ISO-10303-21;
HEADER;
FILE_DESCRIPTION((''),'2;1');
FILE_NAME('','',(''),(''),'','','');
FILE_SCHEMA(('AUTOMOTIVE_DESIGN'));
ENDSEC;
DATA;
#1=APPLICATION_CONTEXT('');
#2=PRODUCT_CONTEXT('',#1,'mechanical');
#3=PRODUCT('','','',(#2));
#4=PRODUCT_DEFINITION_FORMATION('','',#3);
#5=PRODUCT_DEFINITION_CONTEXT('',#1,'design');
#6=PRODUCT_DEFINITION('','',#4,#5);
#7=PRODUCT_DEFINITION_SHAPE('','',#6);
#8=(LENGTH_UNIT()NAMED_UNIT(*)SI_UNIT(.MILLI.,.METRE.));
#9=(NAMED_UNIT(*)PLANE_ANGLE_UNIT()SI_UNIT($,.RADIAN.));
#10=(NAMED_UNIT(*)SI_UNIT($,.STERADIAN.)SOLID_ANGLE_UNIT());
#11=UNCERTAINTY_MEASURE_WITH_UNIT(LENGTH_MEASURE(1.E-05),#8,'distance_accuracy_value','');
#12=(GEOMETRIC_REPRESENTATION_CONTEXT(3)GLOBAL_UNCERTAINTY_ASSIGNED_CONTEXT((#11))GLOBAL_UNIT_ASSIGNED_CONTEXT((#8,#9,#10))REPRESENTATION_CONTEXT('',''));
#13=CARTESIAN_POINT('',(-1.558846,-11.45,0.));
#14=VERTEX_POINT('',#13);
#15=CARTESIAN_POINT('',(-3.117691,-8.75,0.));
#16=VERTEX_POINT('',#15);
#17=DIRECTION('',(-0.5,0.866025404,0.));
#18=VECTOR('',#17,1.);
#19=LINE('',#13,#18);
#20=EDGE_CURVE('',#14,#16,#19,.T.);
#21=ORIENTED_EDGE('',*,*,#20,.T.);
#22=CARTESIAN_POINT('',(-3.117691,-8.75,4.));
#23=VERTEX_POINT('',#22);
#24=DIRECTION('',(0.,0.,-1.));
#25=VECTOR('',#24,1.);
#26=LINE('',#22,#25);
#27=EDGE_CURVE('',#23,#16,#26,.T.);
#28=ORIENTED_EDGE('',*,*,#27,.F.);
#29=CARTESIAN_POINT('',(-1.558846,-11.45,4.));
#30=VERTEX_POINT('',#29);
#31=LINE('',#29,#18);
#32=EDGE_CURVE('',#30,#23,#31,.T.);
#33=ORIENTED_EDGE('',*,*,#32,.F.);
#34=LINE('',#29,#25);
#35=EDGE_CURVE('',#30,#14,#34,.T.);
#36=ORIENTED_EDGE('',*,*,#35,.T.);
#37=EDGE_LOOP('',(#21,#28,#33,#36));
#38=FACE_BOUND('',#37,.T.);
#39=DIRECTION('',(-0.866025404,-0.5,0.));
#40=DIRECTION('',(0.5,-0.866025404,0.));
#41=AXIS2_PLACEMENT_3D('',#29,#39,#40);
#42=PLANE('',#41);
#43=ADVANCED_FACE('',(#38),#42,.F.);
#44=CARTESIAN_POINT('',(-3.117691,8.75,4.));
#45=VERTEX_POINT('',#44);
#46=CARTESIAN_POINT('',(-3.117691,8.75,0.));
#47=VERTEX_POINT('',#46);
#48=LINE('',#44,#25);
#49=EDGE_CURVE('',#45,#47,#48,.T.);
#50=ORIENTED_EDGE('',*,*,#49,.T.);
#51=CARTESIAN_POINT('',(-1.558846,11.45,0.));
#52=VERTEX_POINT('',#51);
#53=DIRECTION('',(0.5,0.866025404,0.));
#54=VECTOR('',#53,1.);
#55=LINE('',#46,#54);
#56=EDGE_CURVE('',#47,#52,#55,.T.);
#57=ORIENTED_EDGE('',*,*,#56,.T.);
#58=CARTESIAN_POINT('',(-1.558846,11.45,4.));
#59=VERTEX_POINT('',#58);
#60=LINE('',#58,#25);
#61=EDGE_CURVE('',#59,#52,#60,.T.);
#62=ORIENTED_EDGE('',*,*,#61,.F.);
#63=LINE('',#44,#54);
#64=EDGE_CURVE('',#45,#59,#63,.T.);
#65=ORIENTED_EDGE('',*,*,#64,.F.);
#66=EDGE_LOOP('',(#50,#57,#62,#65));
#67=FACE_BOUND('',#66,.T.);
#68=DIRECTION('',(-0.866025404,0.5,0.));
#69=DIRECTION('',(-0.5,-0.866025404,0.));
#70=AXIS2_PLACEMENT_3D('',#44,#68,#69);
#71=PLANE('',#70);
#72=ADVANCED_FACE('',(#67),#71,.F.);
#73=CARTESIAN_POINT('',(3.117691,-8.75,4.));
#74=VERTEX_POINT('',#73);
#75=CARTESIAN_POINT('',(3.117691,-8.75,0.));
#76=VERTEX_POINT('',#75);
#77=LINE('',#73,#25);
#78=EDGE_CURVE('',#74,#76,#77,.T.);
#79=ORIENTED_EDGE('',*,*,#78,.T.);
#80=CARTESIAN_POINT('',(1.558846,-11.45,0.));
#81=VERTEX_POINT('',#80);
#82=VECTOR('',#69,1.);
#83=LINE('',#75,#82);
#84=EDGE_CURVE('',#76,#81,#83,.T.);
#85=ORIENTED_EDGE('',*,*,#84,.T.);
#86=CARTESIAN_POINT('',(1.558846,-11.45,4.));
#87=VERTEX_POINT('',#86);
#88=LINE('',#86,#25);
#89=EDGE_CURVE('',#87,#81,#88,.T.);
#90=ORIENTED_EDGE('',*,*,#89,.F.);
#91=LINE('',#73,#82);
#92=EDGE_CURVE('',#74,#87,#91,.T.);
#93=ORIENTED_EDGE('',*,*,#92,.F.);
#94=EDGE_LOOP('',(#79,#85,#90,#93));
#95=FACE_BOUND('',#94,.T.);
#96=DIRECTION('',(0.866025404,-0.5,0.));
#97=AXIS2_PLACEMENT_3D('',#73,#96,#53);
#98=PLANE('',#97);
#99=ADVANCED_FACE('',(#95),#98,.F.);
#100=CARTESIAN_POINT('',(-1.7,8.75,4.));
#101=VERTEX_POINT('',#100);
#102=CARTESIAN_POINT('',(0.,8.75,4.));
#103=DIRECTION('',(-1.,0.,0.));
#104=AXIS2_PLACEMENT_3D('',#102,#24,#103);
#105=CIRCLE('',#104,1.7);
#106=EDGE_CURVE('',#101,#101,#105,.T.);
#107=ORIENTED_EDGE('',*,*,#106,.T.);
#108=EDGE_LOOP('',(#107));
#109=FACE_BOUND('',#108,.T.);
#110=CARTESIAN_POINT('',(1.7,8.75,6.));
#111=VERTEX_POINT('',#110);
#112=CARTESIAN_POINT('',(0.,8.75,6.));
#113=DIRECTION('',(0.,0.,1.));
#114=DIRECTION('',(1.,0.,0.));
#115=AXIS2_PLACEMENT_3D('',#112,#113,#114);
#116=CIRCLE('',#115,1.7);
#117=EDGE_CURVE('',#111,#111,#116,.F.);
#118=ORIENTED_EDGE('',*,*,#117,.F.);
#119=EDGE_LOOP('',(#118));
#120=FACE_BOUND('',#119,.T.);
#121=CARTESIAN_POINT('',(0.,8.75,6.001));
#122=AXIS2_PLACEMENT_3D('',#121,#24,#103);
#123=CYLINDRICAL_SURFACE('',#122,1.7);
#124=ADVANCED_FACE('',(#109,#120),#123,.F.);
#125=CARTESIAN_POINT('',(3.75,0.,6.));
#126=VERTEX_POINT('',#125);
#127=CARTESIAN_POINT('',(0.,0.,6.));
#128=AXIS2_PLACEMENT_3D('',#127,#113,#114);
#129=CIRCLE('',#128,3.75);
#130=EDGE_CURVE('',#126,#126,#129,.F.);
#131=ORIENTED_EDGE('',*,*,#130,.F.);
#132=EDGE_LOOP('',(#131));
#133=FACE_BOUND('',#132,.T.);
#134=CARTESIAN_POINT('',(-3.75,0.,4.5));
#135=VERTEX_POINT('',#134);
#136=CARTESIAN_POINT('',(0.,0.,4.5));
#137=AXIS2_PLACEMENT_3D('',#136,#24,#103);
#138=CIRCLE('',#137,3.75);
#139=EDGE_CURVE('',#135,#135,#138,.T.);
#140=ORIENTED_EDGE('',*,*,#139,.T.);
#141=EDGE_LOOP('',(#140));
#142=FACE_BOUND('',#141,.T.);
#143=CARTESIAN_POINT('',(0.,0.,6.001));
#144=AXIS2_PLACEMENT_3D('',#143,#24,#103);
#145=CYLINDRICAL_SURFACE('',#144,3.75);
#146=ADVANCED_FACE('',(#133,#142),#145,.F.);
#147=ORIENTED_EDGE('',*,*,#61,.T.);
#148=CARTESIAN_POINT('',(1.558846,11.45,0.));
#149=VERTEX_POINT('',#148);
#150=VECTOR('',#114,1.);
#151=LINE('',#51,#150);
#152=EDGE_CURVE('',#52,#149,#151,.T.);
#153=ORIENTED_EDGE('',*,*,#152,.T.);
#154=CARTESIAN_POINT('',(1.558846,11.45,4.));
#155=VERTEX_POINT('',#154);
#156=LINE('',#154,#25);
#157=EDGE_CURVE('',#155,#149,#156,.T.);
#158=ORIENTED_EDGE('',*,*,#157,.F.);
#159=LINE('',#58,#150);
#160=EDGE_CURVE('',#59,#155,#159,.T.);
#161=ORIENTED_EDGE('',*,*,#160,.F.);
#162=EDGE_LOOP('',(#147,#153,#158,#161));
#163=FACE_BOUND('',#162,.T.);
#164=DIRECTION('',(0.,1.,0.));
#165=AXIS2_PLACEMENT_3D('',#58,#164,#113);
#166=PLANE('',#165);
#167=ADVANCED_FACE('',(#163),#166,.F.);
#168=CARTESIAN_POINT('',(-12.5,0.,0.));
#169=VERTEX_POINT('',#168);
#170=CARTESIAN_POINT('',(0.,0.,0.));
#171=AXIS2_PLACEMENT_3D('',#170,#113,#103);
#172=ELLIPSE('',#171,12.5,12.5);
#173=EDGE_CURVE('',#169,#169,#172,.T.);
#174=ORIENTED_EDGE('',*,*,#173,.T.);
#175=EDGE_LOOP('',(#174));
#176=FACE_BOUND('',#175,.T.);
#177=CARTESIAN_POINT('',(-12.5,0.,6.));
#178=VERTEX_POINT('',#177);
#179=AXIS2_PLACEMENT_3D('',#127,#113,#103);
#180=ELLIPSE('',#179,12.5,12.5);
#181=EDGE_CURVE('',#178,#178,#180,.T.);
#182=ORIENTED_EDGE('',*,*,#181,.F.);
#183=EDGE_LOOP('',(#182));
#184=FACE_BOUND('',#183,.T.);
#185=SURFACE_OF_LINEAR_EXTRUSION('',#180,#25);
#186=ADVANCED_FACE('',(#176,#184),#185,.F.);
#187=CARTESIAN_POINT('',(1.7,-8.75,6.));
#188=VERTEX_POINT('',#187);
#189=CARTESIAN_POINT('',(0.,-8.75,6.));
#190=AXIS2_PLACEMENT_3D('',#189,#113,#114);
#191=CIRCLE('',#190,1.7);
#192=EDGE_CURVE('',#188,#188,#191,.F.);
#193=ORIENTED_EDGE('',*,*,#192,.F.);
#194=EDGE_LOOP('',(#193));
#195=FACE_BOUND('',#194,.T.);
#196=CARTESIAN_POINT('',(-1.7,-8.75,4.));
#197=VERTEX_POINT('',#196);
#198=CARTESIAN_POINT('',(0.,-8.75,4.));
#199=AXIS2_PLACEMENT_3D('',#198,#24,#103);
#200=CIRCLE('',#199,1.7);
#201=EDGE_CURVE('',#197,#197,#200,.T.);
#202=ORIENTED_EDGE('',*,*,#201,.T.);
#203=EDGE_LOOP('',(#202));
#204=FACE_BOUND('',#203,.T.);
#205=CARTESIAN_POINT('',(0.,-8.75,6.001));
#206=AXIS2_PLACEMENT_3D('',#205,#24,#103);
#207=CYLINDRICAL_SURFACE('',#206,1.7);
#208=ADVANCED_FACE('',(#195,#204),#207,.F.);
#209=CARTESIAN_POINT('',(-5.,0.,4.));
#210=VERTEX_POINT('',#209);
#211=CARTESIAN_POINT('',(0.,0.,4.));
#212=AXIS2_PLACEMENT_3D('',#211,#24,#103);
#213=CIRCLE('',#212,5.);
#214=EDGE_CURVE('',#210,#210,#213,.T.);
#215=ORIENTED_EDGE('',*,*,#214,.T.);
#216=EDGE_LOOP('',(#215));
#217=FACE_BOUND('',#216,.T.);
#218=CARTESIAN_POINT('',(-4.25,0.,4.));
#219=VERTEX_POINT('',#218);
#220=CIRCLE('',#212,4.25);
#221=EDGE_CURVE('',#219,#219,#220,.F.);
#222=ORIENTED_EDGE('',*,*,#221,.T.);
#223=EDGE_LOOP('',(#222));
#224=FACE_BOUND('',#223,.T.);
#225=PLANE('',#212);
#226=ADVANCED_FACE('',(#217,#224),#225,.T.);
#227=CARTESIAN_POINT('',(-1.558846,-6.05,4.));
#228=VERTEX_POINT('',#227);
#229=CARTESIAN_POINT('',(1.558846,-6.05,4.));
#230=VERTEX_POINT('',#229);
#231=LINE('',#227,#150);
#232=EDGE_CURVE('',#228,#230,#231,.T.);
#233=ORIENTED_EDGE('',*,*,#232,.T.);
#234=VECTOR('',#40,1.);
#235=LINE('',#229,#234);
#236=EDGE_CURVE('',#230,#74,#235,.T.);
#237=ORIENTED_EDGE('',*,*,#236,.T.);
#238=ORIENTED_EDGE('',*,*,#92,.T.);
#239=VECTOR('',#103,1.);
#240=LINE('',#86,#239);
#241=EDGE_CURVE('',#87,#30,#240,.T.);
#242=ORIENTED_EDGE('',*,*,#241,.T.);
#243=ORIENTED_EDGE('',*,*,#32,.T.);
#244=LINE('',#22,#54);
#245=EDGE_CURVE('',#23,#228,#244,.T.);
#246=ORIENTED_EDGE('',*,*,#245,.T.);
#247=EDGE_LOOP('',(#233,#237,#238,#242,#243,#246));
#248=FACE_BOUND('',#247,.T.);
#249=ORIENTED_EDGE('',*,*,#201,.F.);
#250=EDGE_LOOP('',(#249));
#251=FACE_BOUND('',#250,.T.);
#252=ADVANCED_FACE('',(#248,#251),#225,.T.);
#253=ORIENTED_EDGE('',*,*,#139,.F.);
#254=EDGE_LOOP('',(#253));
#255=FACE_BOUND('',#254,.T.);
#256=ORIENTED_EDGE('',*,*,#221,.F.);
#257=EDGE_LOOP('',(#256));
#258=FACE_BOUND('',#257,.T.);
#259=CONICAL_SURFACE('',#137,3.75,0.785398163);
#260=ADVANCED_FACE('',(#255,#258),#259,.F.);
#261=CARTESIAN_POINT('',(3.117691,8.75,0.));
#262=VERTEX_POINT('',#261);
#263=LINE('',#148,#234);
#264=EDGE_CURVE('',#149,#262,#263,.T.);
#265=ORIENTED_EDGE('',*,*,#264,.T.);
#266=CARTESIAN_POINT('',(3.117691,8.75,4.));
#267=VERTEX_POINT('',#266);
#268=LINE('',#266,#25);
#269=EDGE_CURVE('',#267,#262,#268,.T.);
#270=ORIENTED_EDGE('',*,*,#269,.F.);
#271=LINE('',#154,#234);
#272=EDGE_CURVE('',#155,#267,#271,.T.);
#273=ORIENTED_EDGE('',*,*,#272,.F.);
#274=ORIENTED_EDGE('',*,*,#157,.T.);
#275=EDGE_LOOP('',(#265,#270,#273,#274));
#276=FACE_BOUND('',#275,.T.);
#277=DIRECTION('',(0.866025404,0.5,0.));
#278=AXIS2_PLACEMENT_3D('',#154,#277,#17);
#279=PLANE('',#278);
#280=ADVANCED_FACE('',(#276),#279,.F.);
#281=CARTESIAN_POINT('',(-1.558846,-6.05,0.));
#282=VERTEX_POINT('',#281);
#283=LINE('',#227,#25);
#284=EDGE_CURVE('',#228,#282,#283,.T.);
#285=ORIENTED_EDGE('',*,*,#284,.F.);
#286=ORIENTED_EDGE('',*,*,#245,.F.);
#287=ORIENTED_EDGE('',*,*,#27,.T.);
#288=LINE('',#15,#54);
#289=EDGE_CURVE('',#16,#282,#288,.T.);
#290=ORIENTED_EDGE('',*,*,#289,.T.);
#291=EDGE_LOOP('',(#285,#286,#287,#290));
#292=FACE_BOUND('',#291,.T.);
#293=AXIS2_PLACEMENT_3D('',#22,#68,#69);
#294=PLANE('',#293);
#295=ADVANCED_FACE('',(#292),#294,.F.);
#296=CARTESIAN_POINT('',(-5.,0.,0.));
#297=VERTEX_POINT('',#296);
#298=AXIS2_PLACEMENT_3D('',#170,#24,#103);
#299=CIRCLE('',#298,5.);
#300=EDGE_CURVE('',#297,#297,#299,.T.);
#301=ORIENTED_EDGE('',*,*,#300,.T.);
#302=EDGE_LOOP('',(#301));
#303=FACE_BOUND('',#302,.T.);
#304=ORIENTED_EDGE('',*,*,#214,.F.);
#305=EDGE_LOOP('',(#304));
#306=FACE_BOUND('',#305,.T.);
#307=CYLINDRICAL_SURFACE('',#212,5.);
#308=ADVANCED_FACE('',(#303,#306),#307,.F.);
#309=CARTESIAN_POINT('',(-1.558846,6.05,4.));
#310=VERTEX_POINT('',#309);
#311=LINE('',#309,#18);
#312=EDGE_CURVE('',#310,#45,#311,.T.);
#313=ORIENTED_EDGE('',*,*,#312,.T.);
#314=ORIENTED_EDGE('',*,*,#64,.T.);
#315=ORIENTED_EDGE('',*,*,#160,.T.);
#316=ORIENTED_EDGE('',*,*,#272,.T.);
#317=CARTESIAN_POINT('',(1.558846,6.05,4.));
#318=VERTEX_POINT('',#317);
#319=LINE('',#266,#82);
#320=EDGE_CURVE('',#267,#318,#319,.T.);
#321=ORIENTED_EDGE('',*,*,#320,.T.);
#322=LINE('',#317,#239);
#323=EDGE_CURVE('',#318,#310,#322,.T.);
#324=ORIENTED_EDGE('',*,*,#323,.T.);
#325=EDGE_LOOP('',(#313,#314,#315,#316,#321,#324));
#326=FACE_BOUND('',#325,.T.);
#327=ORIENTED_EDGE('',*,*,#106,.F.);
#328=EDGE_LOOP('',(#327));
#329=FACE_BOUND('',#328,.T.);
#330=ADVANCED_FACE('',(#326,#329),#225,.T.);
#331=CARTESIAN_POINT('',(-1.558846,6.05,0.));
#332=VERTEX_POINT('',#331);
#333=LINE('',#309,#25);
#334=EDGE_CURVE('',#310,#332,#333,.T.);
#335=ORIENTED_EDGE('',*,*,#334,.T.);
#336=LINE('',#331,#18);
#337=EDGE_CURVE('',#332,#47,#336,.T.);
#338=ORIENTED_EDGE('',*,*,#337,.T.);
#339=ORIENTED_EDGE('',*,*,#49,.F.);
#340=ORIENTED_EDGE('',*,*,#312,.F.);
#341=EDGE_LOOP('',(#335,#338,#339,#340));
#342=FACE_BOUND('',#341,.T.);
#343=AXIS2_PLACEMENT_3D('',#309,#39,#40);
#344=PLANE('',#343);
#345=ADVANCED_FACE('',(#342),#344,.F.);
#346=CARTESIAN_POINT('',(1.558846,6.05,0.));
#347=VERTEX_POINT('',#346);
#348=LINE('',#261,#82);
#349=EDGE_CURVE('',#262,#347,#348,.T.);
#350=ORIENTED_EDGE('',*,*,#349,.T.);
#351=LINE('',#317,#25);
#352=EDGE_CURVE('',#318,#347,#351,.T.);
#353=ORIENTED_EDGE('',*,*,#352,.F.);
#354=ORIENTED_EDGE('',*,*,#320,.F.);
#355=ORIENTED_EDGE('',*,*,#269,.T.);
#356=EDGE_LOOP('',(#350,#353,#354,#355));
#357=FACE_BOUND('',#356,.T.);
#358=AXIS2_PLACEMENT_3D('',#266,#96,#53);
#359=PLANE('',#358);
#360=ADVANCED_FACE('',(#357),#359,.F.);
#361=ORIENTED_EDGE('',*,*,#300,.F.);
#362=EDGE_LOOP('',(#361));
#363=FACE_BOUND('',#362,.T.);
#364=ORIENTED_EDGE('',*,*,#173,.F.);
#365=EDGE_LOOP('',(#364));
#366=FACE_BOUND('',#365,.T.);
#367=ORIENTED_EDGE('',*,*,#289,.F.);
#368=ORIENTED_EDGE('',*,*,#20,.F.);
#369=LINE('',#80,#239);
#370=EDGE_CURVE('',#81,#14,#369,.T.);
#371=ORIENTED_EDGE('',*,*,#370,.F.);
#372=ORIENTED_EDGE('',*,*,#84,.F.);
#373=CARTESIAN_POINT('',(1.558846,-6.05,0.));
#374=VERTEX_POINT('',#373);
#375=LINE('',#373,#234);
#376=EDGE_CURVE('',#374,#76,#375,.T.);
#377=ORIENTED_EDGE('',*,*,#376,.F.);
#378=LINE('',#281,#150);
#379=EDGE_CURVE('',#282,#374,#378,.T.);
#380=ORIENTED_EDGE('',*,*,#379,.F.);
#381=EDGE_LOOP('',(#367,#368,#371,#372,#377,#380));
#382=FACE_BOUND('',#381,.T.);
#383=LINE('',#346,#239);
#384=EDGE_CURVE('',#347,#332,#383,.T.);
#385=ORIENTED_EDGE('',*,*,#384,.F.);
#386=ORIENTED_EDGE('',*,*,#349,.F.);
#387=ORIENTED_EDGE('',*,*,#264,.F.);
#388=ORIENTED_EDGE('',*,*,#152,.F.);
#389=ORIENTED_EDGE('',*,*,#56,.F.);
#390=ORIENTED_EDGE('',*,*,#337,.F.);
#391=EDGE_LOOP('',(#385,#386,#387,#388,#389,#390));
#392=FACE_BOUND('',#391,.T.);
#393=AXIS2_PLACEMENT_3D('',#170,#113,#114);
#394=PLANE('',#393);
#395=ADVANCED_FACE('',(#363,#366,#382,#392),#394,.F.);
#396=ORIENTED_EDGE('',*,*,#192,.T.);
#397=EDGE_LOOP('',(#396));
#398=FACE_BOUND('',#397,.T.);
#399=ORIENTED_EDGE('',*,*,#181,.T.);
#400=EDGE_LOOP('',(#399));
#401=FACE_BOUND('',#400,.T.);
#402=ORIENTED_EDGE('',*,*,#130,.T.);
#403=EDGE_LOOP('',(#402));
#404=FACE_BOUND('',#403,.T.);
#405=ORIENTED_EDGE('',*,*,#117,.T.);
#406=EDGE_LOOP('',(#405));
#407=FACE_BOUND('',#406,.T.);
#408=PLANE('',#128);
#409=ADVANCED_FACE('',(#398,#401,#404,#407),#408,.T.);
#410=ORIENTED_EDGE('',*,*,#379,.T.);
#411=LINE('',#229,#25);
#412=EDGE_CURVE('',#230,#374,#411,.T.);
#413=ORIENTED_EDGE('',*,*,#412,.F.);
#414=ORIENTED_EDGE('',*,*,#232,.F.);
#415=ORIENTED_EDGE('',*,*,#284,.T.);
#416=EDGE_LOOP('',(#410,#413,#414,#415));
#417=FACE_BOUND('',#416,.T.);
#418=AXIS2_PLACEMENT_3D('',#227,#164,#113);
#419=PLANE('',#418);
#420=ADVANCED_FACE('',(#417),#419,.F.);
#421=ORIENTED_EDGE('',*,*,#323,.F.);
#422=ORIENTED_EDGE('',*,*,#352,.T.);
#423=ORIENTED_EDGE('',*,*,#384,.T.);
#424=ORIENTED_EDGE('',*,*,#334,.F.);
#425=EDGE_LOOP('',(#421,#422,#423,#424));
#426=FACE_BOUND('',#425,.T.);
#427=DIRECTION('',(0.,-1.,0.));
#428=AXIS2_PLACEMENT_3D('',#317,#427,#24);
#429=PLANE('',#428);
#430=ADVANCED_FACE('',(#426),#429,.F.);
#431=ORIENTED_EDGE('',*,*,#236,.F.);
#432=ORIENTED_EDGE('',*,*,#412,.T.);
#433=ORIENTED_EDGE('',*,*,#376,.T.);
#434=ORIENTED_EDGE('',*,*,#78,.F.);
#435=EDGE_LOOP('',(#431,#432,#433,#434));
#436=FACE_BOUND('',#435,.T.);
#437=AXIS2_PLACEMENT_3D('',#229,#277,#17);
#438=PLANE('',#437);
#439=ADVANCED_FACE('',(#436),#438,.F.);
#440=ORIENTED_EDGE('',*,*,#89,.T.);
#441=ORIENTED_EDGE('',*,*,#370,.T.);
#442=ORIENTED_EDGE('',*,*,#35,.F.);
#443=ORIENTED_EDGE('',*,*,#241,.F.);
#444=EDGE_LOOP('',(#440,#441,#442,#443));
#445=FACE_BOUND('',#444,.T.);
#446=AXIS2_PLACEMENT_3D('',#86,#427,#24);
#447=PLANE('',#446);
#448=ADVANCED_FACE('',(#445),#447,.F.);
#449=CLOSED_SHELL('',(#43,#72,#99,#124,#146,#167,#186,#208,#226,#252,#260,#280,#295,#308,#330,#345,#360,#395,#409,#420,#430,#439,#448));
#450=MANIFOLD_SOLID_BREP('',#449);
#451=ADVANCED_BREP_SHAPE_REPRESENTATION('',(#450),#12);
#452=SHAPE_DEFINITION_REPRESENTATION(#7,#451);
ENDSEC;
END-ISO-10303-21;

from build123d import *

# Parameters (mm, degrees)
ESQUISSE1_RX            = 12.5
ESQUISSE1_RY            = 12.5
BOSS_EXTRU_1_DEPTH      = 6
ESQUISSE2_R             = 5
ENL_V_MAT_EXTRU_1_DEPTH = 4
ENL_V_MAT_EXTRU_2_REACH = 20.125
ESQUISSE3_R             = 3.75
CHANFREIN1_SIZE         = 0.5
ENL_V_MAT_EXTRU_3_DEPTH = 4
ENL_V_MAT_EXTRU_4_REACH = 20.125
ESQUISSE6_R             = 1.7


with BuildPart() as part:
    # Esquisse1 → Boss.-Extru.1 (new body)
    with BuildSketch(Plane.XY):
        with Locations((0, 0)):
            Ellipse(ESQUISSE1_RX, ESQUISSE1_RY)
    extrude(amount=BOSS_EXTRU_1_DEPTH)

    # Esquisse2 → Enlèv. mat.-Extru.1 (cut)
    with BuildSketch(Plane(origin=(0, 0, 0), x_dir=(-1, 0, 0), z_dir=(0, 0, -1))):
        Circle(ESQUISSE2_R)
    extrude(amount=-ENL_V_MAT_EXTRU_1_DEPTH, mode=Mode.SUBTRACT)

    # Esquisse3 → Enlèv. mat.-Extru.2 (cut, up to next)
    with BuildSketch(Plane(origin=(0, 0, 4), x_dir=(-1, 0, 0), z_dir=(0, 0, -1)), mode=Mode.PRIVATE) as enl_v_mat_extru_2_sk1:
        Circle(ESQUISSE3_R)
    enl_v_mat_extru_2_tool1 = extrude(enl_v_mat_extru_2_sk1.sketch, amount=-ENL_V_MAT_EXTRU_2_REACH, mode=Mode.PRIVATE) & part.part
    add(enl_v_mat_extru_2_tool1.solids().sort_by_distance((0, 0, 4))[0], mode=Mode.SUBTRACT)

    # Chanfrein1
    chanfrein1_edges = [part.edges().sort_by_distance(p)[0] for p in [
        (3.75, 0, 4),
    ]]
    chamfer(chanfrein1_edges, length=CHANFREIN1_SIZE)

    # Esquisse5 → Enlèv. mat.-Extru.3 (cut)
    with BuildSketch(Plane(origin=(0, 0, 0), x_dir=(-1, 0, 0), z_dir=(0, 0, -1))):
        Polygon((-3.117691454, -8.75), (-1.558845727, -11.45), (1.558845727, -11.45), (3.117691454, -8.75), (1.558845727, -6.05), (-1.558845727, -6.05), align=None)
        Polygon((3.117691454, 8.75), (1.558845727, 11.45), (-1.558845727, 11.45), (-3.117691454, 8.75), (-1.558845727, 6.05), (1.558845727, 6.05), align=None)
    extrude(amount=-ENL_V_MAT_EXTRU_3_DEPTH, mode=Mode.SUBTRACT)

    # Esquisse6 → Enlèv. mat.-Extru.4 (cut, up to next)
    with BuildSketch(Plane(origin=(0, 0, 4), x_dir=(-1, 0, 0), z_dir=(0, 0, -1)), mode=Mode.PRIVATE) as enl_v_mat_extru_4_sk1:
        with Locations((0, 8.75)):
            Circle(ESQUISSE6_R)
    enl_v_mat_extru_4_tool1 = extrude(enl_v_mat_extru_4_sk1.sketch, amount=-ENL_V_MAT_EXTRU_4_REACH, mode=Mode.PRIVATE) & part.part
    # Esquisse6 → Enlèv. mat.-Extru.4 (cut, up to next)
    with BuildSketch(Plane(origin=(0, 0, 4), x_dir=(-1, 0, 0), z_dir=(0, 0, -1)), mode=Mode.PRIVATE) as enl_v_mat_extru_4_sk2:
        with Locations((0, -8.75)):
            Circle(ESQUISSE6_R)
    enl_v_mat_extru_4_tool2 = extrude(enl_v_mat_extru_4_sk2.sketch, amount=-ENL_V_MAT_EXTRU_4_REACH, mode=Mode.PRIVATE) & part.part
    add(enl_v_mat_extru_4_tool1.solids().sort_by_distance((0, 8.75, 4))[0], mode=Mode.SUBTRACT)
    add(enl_v_mat_extru_4_tool2.solids().sort_by_distance((0, -8.75, 4))[0], mode=Mode.SUBTRACT)


solid = part.part
